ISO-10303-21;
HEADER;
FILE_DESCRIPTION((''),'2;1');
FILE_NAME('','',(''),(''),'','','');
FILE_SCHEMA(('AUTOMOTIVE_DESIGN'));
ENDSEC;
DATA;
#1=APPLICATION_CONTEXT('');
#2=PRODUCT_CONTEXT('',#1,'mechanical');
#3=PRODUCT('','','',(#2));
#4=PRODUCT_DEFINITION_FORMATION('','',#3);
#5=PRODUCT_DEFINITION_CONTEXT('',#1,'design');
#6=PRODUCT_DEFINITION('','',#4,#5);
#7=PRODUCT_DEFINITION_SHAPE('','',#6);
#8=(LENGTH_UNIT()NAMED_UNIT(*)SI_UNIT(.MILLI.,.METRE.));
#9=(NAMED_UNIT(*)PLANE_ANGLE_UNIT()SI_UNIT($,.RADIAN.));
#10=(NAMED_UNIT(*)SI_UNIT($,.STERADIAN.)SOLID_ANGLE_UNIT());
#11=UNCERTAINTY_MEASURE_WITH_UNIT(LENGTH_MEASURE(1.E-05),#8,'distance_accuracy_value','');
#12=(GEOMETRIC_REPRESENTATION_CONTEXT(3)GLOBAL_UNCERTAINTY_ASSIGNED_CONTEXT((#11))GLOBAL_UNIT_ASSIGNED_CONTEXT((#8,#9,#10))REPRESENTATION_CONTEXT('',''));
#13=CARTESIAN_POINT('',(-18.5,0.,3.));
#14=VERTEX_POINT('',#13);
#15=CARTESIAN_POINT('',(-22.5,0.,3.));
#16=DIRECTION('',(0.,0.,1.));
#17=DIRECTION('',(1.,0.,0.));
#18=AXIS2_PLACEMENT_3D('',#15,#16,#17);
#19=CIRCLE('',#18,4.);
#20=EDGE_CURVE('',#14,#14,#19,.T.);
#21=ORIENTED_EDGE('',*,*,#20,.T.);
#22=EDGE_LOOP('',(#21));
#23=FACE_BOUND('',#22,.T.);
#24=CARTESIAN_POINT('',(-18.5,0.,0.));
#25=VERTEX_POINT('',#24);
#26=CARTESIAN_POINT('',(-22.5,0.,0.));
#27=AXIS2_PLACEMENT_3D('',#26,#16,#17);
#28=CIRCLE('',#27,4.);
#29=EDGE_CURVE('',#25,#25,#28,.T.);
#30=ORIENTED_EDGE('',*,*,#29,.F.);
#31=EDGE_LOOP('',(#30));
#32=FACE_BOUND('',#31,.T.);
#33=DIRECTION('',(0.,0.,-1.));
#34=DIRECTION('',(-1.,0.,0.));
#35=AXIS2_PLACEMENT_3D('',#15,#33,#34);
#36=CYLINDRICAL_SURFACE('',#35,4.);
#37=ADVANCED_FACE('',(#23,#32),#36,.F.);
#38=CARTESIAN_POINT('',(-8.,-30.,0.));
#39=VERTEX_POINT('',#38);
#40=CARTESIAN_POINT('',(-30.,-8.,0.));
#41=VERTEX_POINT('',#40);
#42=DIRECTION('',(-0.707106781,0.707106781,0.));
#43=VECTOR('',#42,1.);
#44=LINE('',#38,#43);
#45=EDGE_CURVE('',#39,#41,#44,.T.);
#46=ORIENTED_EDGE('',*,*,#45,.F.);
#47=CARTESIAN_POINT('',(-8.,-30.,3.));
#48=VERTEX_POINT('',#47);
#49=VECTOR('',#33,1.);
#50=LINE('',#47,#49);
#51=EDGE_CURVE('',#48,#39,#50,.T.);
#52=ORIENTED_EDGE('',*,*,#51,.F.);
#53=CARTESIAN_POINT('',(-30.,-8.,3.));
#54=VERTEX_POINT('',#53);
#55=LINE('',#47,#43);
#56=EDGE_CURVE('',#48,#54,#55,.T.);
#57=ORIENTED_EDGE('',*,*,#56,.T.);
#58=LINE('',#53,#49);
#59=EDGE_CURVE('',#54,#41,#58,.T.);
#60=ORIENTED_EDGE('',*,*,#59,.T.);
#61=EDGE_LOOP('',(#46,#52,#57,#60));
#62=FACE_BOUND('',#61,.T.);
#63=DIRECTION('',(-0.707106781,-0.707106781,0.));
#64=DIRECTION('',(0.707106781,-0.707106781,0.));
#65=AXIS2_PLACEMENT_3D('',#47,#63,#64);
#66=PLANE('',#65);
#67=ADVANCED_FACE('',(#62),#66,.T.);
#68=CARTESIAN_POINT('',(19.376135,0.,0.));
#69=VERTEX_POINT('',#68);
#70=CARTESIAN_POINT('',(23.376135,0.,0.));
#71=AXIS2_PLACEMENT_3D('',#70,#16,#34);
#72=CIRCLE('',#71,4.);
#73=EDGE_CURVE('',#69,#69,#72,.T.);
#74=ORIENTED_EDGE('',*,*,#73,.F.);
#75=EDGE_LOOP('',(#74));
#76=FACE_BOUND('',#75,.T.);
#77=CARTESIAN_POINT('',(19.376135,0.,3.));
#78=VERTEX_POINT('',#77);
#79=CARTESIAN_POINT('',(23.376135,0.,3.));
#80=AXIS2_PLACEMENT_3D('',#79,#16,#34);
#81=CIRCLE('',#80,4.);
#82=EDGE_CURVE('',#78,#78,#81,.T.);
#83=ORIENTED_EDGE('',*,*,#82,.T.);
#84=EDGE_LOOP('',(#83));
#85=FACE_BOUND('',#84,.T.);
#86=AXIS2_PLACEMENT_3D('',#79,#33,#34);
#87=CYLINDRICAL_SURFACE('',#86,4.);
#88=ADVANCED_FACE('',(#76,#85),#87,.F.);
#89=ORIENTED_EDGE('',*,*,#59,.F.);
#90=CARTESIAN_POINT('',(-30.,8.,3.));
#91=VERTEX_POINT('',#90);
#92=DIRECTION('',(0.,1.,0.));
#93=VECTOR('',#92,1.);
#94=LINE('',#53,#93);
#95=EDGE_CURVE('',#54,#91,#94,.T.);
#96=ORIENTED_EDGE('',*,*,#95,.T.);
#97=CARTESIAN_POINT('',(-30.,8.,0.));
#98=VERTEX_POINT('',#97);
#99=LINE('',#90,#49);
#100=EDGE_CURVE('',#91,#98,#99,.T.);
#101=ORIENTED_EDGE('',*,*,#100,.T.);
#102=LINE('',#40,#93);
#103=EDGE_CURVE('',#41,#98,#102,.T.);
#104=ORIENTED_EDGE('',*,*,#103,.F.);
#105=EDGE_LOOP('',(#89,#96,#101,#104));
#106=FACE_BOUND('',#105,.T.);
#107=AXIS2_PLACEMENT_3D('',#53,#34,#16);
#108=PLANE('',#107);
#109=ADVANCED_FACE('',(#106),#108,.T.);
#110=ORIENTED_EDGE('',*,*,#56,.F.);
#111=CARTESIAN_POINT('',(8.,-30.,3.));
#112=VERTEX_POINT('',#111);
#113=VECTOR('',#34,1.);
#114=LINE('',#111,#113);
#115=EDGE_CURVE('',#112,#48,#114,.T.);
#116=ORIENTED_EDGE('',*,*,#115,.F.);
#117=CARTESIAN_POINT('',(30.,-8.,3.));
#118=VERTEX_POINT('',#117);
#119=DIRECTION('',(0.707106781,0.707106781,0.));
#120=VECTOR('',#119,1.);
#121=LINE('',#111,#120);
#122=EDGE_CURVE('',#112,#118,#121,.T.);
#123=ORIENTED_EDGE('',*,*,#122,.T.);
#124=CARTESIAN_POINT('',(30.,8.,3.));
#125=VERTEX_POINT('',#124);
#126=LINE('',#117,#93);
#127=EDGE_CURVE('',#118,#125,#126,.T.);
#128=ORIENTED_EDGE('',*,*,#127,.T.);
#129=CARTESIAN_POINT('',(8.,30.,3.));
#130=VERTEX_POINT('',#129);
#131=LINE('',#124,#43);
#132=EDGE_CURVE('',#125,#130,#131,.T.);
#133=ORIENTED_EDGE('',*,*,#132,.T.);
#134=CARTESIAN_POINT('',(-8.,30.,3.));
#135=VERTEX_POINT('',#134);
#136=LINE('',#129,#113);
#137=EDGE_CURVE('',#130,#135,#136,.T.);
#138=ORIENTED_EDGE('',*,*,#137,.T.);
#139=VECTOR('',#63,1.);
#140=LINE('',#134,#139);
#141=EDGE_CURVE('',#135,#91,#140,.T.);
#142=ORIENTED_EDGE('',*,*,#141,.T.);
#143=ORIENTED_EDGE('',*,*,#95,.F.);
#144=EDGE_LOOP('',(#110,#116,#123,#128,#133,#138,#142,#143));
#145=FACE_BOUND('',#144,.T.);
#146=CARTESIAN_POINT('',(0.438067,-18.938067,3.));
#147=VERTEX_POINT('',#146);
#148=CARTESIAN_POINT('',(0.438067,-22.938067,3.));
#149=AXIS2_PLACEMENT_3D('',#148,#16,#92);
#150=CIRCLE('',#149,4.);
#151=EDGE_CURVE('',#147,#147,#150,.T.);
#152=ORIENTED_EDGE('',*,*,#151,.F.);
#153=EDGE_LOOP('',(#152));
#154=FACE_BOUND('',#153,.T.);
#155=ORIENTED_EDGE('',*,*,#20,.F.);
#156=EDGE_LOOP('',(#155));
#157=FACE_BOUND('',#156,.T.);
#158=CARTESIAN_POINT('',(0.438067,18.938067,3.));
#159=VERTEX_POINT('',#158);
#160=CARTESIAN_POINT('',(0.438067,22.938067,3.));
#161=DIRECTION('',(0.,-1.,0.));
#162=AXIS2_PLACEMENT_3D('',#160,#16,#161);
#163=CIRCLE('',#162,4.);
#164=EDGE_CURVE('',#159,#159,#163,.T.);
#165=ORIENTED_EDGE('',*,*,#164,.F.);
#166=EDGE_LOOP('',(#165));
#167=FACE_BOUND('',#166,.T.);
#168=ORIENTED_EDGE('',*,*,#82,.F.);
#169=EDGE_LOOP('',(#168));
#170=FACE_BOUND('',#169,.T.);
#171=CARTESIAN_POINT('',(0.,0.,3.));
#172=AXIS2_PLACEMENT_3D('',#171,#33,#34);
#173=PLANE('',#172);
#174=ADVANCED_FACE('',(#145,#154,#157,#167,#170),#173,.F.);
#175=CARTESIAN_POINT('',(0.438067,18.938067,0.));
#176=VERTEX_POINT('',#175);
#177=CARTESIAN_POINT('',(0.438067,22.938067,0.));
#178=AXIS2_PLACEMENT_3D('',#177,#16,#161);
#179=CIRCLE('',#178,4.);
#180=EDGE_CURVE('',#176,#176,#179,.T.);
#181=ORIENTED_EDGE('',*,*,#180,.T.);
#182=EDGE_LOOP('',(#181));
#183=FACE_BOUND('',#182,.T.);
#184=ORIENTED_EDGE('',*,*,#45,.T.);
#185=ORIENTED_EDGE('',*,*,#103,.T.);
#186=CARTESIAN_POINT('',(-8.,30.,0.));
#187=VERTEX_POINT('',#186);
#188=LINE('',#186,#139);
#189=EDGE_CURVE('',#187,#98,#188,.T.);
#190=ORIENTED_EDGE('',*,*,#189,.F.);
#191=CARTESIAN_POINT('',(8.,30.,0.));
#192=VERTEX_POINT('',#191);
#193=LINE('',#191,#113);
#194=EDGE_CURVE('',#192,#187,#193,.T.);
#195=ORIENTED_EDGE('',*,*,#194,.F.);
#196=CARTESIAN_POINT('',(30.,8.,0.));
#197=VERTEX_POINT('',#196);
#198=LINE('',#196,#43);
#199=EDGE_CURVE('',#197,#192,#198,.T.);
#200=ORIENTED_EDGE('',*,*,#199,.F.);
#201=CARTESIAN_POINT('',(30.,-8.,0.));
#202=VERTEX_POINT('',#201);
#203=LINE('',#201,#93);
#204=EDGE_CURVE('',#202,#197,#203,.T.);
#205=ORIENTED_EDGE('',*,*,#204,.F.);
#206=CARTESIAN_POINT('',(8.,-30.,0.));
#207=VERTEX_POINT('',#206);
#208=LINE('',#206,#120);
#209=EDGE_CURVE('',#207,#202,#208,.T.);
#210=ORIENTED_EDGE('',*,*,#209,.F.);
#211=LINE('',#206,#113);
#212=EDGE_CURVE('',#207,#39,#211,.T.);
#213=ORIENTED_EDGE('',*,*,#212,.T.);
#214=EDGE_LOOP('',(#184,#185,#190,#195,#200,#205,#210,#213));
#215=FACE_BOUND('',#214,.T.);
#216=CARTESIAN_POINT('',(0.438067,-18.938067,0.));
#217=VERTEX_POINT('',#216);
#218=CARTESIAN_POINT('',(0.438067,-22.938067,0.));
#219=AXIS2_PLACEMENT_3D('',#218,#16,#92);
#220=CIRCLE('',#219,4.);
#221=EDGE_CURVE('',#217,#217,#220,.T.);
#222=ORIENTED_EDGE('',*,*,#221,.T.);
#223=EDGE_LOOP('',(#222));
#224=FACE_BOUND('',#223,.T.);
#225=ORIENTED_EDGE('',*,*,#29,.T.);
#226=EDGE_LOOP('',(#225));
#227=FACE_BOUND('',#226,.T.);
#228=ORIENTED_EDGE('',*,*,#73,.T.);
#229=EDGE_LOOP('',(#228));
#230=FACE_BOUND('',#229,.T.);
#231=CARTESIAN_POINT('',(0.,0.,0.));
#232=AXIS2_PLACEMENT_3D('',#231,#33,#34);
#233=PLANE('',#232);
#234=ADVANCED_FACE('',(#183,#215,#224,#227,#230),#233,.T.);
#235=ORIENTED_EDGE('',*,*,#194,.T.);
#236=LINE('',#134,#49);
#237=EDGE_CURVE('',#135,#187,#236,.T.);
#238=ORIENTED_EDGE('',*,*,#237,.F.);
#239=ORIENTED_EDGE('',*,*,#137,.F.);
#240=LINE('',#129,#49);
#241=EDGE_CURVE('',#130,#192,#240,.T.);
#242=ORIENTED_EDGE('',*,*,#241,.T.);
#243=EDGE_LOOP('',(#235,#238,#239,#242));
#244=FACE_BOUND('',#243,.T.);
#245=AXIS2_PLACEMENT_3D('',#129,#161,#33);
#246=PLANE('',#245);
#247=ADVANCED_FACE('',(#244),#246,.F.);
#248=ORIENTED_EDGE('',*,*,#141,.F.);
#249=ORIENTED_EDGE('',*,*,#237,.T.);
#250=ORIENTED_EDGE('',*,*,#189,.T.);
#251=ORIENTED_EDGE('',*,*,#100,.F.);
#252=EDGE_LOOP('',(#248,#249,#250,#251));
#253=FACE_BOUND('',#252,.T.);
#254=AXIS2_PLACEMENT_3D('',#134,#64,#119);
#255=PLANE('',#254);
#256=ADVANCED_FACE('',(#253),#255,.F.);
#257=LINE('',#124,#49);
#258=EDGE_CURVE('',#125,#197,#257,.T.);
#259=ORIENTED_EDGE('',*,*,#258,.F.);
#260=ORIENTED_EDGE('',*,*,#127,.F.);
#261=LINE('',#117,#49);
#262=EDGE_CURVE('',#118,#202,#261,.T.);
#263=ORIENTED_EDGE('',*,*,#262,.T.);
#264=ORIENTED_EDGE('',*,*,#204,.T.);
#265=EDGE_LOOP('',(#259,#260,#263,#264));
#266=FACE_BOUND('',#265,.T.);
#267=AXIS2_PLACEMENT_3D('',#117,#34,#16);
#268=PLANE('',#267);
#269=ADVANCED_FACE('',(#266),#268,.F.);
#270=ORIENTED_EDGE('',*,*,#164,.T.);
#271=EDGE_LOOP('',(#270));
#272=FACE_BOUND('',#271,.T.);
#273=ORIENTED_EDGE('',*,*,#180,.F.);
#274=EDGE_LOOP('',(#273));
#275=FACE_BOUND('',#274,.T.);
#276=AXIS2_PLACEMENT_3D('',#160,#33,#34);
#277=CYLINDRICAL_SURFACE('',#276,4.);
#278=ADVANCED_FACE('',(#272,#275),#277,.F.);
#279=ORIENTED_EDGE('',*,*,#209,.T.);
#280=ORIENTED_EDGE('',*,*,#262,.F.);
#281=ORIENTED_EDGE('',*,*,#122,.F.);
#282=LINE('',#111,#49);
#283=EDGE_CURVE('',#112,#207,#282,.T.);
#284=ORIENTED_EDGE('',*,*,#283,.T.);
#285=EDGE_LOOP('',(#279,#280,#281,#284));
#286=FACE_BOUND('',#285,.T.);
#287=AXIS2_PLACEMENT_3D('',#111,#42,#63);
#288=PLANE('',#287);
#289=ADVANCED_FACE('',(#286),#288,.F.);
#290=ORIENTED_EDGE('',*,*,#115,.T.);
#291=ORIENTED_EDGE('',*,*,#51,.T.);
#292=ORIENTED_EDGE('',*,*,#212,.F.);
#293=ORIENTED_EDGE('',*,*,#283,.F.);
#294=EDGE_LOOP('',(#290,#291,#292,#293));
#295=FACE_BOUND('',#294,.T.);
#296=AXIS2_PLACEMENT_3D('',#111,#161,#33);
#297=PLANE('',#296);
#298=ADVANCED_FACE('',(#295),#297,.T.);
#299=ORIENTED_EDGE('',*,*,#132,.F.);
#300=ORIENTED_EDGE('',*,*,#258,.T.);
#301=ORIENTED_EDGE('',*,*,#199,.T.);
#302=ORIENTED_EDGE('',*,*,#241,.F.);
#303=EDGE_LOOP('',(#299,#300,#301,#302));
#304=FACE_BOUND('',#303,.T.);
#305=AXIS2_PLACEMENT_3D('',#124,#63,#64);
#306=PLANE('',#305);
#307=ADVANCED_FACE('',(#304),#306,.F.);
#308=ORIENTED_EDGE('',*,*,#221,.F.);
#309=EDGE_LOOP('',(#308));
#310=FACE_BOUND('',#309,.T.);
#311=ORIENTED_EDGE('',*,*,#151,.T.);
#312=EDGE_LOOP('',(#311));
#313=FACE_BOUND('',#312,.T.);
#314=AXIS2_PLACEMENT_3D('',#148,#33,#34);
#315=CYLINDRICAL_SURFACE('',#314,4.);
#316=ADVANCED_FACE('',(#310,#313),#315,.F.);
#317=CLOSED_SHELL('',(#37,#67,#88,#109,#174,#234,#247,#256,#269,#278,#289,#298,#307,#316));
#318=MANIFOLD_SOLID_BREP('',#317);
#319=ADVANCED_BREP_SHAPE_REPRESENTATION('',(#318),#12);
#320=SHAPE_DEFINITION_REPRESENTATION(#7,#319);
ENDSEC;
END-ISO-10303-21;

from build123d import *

# Parameters (mm, degrees)
BOSS_EXTRUDE2_DEPTH = 3
SKETCH1_3_R         = 4
CUT_EXTRUDE1_DEPTH  = 4
CIRPATTERN4_COUNT   = 4


with BuildPart() as part:
    # Sketch1 → Boss-Extrude2 (new body)
    with BuildSketch(Plane.XY):
        Polygon((-8, 30), (-30, 8), (-30, -8), (-8, -30), (8, -30), (30, -8), (30, 8), (8, 30), align=None)
    extrude(amount=BOSS_EXTRUDE2_DEPTH)

    # Sketch1<3> → Cut-Extrude1 (cut, through all)
    with BuildSketch(Plane.XY):
        with Locations((-22.5, 0)):
            Circle(SKETCH1_3_R)
    cut_extrude1 = extrude(amount=CUT_EXTRUDE1_DEPTH, mode=Mode.SUBTRACT)

    # CirPattern4: Cut-Extrude1 ×4 about axis
    cirpattern4_axis = Axis((0.438067256, 0, 0), (0, 0, 1))
    for i in range(1, CIRPATTERN4_COUNT):
        add(cut_extrude1.rotate(cirpattern4_axis, i * 360 / CIRPATTERN4_COUNT), mode=Mode.SUBTRACT)


solid = part.part
